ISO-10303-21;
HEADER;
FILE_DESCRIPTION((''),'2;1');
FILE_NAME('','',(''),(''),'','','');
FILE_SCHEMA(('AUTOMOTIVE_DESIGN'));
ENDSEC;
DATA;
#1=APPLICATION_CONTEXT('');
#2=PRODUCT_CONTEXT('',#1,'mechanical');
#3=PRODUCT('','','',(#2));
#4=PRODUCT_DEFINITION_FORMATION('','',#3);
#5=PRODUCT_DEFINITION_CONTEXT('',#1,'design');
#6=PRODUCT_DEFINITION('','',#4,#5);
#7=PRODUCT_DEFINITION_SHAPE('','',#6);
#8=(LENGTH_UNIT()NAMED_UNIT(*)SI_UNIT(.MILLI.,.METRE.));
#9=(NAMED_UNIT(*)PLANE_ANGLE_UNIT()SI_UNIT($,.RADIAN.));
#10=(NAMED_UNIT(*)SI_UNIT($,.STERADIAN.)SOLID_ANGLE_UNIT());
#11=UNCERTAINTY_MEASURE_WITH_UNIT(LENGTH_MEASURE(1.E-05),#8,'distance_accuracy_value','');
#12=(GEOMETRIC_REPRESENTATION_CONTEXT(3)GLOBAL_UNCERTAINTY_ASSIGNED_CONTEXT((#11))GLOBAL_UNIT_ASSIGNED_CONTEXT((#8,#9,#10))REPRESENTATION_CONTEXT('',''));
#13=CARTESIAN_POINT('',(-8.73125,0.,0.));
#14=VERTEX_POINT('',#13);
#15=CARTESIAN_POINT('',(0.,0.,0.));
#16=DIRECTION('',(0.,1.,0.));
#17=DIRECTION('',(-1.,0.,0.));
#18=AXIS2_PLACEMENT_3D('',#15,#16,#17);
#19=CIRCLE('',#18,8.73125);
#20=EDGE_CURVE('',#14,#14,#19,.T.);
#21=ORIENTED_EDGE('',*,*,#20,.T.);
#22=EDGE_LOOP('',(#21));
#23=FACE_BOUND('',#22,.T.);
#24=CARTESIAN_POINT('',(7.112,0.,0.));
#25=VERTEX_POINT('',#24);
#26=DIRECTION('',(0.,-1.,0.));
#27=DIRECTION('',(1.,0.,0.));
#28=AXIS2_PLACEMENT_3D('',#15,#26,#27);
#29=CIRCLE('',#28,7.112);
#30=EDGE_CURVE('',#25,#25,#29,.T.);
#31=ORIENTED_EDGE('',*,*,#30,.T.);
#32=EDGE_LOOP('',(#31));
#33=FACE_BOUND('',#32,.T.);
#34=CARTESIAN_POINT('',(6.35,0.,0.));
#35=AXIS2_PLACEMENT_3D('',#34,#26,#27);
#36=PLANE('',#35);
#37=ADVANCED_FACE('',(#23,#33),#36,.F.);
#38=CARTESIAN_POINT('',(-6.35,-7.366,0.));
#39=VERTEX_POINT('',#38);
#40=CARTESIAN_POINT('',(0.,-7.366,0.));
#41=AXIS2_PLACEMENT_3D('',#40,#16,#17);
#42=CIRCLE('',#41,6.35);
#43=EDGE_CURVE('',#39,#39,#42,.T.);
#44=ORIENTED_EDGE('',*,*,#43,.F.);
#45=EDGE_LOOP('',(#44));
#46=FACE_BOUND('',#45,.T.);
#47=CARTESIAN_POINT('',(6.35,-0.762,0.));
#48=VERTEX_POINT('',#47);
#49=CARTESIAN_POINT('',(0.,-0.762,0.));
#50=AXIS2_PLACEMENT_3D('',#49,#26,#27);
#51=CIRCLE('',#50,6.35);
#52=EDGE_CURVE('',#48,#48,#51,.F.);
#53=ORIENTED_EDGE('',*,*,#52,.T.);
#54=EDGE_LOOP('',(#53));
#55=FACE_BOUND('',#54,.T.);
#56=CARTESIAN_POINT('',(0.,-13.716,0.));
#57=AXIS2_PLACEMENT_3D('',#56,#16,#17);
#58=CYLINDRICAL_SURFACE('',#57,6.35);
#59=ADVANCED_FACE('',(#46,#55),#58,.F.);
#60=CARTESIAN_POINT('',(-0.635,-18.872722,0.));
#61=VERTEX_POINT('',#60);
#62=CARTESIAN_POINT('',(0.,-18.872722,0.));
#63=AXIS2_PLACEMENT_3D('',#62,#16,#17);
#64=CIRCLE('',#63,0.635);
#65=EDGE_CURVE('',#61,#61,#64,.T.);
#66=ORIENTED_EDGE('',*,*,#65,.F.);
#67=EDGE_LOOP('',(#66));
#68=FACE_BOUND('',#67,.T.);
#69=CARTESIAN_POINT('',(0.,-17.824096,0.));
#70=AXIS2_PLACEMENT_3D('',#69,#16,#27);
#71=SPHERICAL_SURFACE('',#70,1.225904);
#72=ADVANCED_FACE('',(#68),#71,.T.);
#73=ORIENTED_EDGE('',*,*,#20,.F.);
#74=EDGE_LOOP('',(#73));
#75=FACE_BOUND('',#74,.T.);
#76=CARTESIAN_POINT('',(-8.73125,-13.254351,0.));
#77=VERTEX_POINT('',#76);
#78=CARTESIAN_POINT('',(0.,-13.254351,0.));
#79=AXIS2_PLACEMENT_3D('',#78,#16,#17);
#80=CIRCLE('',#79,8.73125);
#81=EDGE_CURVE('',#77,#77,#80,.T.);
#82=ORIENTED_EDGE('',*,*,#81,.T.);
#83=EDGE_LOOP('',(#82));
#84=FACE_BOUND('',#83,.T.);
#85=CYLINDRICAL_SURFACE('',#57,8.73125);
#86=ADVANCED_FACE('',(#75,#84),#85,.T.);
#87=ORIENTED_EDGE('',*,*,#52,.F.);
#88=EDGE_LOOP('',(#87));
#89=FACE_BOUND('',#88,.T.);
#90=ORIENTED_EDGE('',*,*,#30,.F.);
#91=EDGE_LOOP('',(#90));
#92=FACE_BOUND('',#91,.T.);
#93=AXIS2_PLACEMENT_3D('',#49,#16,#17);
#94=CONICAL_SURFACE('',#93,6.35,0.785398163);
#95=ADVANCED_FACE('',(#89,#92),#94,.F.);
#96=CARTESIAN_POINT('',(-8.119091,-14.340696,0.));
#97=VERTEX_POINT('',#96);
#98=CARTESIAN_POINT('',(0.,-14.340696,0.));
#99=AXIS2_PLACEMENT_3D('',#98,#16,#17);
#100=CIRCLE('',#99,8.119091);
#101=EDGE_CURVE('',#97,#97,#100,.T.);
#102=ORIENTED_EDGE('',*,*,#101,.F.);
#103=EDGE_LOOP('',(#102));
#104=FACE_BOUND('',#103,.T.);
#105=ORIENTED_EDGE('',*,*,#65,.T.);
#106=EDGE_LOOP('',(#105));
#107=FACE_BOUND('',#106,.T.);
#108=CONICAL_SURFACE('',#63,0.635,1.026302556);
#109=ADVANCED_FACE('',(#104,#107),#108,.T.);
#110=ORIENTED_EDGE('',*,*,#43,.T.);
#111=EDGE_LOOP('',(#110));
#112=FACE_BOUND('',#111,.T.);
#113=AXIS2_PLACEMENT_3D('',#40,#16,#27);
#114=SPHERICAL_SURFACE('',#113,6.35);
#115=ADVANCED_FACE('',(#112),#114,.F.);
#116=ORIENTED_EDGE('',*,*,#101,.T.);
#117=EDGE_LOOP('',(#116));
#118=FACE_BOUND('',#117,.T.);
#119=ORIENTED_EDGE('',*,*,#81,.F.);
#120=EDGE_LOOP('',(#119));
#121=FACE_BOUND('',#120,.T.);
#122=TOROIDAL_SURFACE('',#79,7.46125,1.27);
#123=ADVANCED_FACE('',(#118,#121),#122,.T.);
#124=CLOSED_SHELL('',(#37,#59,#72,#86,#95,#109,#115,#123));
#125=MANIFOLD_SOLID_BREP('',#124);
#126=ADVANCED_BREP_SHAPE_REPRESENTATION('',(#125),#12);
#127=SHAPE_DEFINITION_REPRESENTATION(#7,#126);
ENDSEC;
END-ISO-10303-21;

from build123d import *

# Parameters (mm, degrees)
CHAMFER1_SIZE = 0.762


with BuildPart() as part:
    # Sketch1 → Revolve1 (revolve)
    with BuildSketch(Plane.XY):
        with BuildLine():
            Line((6.35, 0), (8.73125, 0))
            Line((8.73125, 0), (8.73125, -13.25435082))
            ThreePointArc((8.73125, -13.25435082), (8.567676279, -13.87782567), (8.11909112, -14.340695636))
            Line((8.11909112, -14.340695636), (0.635, -18.872721569))
            ThreePointArc((0.635, -18.872721569), (0.329640957, -19.004848916), (0, -19.05))
            Line((0, -19.05), (0, -13.716))
            ThreePointArc((0, -13.716), (4.490128061, -11.856128061), (6.35, -7.366))
            Line((6.35, -7.366), (6.35, 0))
        make_face()
    revolve(axis=Axis((0, -13.716, 0), (0, -1, 0)))

    # Chamfer1
    chamfer1_edges = [part.edges().sort_by_distance(p)[0] for p in [
        (-6.35, 0, 0),
    ]]
    chamfer(chamfer1_edges, length=CHAMFER1_SIZE)


solid = part.part
